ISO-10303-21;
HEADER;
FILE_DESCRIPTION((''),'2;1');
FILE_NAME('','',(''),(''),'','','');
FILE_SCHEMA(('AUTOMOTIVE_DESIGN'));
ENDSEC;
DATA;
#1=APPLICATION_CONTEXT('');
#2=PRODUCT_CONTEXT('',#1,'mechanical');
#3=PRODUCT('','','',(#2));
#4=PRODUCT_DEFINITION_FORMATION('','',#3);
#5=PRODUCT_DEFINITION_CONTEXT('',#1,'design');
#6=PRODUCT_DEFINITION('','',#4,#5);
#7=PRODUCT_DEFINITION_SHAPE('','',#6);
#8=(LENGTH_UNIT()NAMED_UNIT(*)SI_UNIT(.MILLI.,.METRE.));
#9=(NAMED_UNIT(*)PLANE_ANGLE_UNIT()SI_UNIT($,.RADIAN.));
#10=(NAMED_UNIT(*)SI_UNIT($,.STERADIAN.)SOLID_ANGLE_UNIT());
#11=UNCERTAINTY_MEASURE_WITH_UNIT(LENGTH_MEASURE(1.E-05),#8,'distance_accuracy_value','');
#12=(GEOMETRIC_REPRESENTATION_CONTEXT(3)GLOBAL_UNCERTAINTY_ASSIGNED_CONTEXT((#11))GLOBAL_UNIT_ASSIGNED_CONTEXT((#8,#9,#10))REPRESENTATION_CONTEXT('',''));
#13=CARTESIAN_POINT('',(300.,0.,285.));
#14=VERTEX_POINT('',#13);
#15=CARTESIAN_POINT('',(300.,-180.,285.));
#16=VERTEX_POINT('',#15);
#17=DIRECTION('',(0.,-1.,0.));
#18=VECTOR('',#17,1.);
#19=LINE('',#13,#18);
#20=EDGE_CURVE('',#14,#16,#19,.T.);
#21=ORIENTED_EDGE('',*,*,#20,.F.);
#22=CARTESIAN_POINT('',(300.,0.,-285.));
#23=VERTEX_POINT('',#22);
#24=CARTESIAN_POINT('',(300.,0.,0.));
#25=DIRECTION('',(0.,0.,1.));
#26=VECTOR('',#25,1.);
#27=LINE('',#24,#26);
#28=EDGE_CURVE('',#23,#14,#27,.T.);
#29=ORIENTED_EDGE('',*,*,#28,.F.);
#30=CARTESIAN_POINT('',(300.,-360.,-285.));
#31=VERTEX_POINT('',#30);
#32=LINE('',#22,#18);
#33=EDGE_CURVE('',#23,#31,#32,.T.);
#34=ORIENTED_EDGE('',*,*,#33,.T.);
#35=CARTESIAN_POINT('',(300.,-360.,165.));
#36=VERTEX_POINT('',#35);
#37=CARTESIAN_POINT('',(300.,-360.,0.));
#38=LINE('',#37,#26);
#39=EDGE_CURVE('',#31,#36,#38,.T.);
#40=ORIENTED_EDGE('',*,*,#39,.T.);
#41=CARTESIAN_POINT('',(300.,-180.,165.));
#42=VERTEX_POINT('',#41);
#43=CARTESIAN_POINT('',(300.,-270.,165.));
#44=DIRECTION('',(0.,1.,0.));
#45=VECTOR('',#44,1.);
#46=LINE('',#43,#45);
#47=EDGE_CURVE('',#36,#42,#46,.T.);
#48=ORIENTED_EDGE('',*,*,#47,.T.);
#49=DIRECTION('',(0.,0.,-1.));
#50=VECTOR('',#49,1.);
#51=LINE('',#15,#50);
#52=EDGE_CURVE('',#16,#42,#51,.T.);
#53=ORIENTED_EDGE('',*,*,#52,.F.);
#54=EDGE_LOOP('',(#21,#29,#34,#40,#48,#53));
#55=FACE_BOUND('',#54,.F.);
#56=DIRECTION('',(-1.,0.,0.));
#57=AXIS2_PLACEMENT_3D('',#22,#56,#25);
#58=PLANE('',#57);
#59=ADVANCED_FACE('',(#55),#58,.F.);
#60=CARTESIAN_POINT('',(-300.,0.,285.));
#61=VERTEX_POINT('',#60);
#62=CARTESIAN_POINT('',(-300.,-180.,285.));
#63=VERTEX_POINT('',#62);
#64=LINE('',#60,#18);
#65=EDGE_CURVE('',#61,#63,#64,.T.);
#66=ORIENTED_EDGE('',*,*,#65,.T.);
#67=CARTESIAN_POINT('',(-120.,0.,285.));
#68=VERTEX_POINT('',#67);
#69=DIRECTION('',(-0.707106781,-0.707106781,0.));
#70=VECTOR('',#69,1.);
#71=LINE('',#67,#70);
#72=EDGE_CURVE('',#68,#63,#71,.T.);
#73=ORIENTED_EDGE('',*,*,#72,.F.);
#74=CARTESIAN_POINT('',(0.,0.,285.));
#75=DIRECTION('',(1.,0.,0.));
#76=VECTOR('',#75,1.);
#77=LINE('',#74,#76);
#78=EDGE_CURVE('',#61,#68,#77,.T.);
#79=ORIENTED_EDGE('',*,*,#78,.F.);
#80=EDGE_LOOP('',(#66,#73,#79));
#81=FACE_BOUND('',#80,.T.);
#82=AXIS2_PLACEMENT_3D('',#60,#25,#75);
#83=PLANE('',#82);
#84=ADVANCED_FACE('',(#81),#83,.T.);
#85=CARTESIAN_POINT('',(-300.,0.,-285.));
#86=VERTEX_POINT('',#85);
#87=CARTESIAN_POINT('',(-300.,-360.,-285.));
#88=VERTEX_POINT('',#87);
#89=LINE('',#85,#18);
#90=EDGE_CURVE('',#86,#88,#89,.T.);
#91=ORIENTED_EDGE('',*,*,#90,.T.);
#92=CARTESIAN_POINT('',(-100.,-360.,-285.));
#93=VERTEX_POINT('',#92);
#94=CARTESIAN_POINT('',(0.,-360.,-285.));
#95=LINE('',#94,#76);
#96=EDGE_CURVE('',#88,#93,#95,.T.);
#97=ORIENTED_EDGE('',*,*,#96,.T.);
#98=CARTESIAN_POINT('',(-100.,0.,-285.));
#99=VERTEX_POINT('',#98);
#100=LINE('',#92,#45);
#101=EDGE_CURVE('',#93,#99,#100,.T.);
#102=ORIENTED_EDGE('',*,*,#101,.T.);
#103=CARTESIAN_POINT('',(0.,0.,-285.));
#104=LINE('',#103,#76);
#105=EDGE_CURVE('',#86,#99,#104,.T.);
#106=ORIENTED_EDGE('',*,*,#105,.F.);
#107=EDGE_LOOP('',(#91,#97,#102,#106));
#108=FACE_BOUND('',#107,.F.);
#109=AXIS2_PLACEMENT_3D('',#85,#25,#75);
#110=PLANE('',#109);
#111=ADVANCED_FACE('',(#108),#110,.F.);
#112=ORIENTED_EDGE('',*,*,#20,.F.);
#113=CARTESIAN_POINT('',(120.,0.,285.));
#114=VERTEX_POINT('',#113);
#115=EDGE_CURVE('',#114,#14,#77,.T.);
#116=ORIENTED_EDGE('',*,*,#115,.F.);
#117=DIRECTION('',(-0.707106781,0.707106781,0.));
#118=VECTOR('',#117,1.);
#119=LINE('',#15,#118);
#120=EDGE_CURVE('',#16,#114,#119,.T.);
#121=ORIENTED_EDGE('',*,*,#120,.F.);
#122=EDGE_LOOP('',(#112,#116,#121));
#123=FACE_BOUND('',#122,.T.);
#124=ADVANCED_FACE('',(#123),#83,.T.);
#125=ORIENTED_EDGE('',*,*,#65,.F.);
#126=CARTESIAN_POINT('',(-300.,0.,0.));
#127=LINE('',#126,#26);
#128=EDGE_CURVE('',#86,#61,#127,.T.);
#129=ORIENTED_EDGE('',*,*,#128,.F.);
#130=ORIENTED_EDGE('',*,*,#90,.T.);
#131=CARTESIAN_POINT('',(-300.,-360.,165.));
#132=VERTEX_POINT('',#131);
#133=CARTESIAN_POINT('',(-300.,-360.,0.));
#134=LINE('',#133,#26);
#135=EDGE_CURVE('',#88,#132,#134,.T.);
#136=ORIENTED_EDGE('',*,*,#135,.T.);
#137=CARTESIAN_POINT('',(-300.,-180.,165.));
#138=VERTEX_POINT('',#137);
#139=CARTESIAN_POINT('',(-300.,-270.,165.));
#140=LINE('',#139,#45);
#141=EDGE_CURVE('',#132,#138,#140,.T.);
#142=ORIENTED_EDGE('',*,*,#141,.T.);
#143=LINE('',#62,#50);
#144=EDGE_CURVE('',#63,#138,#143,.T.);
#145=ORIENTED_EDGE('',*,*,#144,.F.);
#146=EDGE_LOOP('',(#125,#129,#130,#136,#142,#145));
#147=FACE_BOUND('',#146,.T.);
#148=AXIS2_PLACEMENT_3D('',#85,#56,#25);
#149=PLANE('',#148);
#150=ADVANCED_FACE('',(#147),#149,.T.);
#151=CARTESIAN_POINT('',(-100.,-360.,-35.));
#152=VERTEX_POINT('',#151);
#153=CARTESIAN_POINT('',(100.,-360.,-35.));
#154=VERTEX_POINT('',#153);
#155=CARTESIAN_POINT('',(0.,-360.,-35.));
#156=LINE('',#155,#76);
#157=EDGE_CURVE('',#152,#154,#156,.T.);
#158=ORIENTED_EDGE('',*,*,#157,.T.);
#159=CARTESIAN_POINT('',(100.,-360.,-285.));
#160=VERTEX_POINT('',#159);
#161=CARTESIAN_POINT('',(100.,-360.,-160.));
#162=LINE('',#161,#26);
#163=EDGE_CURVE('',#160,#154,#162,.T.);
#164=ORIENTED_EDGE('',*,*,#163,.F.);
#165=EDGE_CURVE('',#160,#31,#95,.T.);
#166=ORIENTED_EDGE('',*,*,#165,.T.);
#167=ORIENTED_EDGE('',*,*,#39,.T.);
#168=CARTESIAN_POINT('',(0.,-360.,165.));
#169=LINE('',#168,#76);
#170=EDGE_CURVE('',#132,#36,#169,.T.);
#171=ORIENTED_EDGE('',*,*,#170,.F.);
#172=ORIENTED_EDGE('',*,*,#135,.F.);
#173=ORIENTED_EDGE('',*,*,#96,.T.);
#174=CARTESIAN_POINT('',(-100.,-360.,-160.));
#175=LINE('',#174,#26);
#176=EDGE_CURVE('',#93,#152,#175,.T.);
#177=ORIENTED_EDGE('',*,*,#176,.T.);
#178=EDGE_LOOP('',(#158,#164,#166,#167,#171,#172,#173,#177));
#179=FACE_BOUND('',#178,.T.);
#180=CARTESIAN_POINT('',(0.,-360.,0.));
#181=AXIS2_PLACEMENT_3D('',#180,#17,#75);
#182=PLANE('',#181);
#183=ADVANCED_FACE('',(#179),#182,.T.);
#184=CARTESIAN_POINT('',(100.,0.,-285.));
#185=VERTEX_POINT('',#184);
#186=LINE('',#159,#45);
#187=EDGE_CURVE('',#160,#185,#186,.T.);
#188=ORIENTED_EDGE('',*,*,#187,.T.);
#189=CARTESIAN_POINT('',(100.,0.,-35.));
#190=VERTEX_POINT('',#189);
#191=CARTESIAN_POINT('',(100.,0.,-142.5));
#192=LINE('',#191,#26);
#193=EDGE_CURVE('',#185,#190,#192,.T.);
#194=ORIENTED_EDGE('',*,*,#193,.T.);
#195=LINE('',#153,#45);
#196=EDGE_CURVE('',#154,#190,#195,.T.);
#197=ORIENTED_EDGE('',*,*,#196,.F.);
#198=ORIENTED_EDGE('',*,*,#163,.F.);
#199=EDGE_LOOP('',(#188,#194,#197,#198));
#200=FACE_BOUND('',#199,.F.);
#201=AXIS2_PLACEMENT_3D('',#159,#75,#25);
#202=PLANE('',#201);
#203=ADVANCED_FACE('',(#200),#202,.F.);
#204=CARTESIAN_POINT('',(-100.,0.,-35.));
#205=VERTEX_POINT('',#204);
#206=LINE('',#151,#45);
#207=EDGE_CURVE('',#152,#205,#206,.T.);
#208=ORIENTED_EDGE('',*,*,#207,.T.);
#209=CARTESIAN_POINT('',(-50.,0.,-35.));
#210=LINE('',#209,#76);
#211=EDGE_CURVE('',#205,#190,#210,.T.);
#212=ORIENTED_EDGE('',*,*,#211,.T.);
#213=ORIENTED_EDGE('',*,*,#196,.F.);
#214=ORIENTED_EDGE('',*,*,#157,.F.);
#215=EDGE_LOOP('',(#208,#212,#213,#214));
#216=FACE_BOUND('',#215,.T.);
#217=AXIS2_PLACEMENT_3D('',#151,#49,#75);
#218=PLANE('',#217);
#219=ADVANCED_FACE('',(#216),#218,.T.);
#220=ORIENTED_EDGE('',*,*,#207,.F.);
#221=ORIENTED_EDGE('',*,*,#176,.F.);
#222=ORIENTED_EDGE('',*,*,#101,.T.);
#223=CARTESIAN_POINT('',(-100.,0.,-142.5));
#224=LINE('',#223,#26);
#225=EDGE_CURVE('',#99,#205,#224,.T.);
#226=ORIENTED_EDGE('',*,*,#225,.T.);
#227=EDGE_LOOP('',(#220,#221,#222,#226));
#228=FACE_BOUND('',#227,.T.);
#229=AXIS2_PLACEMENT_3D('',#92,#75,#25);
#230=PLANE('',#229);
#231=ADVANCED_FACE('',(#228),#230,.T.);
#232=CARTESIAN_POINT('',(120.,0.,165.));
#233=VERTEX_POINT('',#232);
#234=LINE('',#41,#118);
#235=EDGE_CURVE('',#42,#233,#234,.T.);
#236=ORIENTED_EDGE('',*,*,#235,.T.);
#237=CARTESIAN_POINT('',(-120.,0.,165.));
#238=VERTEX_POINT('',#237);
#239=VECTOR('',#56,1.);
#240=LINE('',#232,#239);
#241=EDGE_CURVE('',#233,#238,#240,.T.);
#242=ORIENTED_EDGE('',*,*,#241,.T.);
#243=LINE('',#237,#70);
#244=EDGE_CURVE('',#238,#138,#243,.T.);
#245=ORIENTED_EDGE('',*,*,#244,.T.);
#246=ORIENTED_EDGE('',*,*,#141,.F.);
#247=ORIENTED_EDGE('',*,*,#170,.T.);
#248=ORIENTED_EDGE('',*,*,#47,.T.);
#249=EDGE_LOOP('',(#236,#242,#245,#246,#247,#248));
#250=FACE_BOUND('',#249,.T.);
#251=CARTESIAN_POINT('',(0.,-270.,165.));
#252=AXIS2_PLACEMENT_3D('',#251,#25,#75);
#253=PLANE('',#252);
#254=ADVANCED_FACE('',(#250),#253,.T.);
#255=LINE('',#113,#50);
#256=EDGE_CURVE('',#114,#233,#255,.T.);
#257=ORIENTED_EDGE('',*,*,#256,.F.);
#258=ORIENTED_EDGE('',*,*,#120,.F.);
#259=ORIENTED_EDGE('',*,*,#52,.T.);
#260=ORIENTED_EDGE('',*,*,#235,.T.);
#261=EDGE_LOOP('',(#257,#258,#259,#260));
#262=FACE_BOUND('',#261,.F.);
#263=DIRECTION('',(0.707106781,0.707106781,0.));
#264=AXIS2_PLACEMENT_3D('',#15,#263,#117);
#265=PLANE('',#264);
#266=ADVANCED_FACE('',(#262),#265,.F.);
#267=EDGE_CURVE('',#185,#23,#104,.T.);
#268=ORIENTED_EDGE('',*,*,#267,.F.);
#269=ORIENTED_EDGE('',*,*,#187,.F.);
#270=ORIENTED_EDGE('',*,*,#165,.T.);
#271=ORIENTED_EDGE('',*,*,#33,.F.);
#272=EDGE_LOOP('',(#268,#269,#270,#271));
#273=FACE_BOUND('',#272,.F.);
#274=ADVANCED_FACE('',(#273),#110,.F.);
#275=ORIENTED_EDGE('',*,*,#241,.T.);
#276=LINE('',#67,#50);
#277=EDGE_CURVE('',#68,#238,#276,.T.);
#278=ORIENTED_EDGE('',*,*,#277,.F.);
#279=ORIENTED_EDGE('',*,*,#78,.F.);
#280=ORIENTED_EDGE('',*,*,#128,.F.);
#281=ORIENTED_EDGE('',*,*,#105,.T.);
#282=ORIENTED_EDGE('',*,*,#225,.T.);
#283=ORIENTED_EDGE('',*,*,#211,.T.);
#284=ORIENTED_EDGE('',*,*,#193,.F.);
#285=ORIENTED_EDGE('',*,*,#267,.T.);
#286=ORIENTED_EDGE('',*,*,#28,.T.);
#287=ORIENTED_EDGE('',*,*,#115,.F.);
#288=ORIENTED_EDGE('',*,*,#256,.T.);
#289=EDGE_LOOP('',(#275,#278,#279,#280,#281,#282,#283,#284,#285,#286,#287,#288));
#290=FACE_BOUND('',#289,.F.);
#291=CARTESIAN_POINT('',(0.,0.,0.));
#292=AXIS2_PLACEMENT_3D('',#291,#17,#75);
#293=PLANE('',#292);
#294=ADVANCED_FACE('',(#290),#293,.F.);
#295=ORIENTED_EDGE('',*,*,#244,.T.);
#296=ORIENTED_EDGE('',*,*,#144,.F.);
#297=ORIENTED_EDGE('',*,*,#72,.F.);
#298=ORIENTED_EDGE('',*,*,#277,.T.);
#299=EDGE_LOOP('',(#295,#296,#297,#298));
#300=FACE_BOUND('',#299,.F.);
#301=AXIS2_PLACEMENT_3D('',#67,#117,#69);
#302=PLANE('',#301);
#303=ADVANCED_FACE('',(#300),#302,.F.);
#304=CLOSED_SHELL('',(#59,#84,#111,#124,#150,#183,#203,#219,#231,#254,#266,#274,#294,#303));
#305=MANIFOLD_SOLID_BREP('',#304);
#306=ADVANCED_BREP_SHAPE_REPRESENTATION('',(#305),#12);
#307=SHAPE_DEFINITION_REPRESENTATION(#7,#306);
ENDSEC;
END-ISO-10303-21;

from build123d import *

# Parameters (mm, degrees)
F0_W     = 600
F0_H     = 570
F1_DEPTH = 360
F2_W     = 600
F2_H     = 180
F3_DEPTH = 120
F4_W     = 200
F4_H     = 250
F5_DEPTH = 360.001


with BuildPart() as f1:
    # F0 (on Front) → F1 (new body)
    with BuildSketch(Plane.XZ):
        Rectangle(F0_W, F0_H)
    extrude(amount=F1_DEPTH)

    # F2 (on face) → F3 (cut)
    with BuildSketch(Plane.XY.offset(285)):
        with Locations((0, -270)):
            Rectangle(F2_W, F2_H)
        Polygon((-120, 0), (-300, -180), (300, -180), (120, 0), align=None)
    extrude(amount=-F3_DEPTH, mode=Mode.SUBTRACT)

    # F4 (on face) → F5 (cut, through all)
    with BuildSketch(Plane.XZ.offset(360)):
        with Locations((0, -160)):
            Rectangle(F4_W, F4_H)
    extrude(amount=-F5_DEPTH, mode=Mode.SUBTRACT)


solid = f1.part
